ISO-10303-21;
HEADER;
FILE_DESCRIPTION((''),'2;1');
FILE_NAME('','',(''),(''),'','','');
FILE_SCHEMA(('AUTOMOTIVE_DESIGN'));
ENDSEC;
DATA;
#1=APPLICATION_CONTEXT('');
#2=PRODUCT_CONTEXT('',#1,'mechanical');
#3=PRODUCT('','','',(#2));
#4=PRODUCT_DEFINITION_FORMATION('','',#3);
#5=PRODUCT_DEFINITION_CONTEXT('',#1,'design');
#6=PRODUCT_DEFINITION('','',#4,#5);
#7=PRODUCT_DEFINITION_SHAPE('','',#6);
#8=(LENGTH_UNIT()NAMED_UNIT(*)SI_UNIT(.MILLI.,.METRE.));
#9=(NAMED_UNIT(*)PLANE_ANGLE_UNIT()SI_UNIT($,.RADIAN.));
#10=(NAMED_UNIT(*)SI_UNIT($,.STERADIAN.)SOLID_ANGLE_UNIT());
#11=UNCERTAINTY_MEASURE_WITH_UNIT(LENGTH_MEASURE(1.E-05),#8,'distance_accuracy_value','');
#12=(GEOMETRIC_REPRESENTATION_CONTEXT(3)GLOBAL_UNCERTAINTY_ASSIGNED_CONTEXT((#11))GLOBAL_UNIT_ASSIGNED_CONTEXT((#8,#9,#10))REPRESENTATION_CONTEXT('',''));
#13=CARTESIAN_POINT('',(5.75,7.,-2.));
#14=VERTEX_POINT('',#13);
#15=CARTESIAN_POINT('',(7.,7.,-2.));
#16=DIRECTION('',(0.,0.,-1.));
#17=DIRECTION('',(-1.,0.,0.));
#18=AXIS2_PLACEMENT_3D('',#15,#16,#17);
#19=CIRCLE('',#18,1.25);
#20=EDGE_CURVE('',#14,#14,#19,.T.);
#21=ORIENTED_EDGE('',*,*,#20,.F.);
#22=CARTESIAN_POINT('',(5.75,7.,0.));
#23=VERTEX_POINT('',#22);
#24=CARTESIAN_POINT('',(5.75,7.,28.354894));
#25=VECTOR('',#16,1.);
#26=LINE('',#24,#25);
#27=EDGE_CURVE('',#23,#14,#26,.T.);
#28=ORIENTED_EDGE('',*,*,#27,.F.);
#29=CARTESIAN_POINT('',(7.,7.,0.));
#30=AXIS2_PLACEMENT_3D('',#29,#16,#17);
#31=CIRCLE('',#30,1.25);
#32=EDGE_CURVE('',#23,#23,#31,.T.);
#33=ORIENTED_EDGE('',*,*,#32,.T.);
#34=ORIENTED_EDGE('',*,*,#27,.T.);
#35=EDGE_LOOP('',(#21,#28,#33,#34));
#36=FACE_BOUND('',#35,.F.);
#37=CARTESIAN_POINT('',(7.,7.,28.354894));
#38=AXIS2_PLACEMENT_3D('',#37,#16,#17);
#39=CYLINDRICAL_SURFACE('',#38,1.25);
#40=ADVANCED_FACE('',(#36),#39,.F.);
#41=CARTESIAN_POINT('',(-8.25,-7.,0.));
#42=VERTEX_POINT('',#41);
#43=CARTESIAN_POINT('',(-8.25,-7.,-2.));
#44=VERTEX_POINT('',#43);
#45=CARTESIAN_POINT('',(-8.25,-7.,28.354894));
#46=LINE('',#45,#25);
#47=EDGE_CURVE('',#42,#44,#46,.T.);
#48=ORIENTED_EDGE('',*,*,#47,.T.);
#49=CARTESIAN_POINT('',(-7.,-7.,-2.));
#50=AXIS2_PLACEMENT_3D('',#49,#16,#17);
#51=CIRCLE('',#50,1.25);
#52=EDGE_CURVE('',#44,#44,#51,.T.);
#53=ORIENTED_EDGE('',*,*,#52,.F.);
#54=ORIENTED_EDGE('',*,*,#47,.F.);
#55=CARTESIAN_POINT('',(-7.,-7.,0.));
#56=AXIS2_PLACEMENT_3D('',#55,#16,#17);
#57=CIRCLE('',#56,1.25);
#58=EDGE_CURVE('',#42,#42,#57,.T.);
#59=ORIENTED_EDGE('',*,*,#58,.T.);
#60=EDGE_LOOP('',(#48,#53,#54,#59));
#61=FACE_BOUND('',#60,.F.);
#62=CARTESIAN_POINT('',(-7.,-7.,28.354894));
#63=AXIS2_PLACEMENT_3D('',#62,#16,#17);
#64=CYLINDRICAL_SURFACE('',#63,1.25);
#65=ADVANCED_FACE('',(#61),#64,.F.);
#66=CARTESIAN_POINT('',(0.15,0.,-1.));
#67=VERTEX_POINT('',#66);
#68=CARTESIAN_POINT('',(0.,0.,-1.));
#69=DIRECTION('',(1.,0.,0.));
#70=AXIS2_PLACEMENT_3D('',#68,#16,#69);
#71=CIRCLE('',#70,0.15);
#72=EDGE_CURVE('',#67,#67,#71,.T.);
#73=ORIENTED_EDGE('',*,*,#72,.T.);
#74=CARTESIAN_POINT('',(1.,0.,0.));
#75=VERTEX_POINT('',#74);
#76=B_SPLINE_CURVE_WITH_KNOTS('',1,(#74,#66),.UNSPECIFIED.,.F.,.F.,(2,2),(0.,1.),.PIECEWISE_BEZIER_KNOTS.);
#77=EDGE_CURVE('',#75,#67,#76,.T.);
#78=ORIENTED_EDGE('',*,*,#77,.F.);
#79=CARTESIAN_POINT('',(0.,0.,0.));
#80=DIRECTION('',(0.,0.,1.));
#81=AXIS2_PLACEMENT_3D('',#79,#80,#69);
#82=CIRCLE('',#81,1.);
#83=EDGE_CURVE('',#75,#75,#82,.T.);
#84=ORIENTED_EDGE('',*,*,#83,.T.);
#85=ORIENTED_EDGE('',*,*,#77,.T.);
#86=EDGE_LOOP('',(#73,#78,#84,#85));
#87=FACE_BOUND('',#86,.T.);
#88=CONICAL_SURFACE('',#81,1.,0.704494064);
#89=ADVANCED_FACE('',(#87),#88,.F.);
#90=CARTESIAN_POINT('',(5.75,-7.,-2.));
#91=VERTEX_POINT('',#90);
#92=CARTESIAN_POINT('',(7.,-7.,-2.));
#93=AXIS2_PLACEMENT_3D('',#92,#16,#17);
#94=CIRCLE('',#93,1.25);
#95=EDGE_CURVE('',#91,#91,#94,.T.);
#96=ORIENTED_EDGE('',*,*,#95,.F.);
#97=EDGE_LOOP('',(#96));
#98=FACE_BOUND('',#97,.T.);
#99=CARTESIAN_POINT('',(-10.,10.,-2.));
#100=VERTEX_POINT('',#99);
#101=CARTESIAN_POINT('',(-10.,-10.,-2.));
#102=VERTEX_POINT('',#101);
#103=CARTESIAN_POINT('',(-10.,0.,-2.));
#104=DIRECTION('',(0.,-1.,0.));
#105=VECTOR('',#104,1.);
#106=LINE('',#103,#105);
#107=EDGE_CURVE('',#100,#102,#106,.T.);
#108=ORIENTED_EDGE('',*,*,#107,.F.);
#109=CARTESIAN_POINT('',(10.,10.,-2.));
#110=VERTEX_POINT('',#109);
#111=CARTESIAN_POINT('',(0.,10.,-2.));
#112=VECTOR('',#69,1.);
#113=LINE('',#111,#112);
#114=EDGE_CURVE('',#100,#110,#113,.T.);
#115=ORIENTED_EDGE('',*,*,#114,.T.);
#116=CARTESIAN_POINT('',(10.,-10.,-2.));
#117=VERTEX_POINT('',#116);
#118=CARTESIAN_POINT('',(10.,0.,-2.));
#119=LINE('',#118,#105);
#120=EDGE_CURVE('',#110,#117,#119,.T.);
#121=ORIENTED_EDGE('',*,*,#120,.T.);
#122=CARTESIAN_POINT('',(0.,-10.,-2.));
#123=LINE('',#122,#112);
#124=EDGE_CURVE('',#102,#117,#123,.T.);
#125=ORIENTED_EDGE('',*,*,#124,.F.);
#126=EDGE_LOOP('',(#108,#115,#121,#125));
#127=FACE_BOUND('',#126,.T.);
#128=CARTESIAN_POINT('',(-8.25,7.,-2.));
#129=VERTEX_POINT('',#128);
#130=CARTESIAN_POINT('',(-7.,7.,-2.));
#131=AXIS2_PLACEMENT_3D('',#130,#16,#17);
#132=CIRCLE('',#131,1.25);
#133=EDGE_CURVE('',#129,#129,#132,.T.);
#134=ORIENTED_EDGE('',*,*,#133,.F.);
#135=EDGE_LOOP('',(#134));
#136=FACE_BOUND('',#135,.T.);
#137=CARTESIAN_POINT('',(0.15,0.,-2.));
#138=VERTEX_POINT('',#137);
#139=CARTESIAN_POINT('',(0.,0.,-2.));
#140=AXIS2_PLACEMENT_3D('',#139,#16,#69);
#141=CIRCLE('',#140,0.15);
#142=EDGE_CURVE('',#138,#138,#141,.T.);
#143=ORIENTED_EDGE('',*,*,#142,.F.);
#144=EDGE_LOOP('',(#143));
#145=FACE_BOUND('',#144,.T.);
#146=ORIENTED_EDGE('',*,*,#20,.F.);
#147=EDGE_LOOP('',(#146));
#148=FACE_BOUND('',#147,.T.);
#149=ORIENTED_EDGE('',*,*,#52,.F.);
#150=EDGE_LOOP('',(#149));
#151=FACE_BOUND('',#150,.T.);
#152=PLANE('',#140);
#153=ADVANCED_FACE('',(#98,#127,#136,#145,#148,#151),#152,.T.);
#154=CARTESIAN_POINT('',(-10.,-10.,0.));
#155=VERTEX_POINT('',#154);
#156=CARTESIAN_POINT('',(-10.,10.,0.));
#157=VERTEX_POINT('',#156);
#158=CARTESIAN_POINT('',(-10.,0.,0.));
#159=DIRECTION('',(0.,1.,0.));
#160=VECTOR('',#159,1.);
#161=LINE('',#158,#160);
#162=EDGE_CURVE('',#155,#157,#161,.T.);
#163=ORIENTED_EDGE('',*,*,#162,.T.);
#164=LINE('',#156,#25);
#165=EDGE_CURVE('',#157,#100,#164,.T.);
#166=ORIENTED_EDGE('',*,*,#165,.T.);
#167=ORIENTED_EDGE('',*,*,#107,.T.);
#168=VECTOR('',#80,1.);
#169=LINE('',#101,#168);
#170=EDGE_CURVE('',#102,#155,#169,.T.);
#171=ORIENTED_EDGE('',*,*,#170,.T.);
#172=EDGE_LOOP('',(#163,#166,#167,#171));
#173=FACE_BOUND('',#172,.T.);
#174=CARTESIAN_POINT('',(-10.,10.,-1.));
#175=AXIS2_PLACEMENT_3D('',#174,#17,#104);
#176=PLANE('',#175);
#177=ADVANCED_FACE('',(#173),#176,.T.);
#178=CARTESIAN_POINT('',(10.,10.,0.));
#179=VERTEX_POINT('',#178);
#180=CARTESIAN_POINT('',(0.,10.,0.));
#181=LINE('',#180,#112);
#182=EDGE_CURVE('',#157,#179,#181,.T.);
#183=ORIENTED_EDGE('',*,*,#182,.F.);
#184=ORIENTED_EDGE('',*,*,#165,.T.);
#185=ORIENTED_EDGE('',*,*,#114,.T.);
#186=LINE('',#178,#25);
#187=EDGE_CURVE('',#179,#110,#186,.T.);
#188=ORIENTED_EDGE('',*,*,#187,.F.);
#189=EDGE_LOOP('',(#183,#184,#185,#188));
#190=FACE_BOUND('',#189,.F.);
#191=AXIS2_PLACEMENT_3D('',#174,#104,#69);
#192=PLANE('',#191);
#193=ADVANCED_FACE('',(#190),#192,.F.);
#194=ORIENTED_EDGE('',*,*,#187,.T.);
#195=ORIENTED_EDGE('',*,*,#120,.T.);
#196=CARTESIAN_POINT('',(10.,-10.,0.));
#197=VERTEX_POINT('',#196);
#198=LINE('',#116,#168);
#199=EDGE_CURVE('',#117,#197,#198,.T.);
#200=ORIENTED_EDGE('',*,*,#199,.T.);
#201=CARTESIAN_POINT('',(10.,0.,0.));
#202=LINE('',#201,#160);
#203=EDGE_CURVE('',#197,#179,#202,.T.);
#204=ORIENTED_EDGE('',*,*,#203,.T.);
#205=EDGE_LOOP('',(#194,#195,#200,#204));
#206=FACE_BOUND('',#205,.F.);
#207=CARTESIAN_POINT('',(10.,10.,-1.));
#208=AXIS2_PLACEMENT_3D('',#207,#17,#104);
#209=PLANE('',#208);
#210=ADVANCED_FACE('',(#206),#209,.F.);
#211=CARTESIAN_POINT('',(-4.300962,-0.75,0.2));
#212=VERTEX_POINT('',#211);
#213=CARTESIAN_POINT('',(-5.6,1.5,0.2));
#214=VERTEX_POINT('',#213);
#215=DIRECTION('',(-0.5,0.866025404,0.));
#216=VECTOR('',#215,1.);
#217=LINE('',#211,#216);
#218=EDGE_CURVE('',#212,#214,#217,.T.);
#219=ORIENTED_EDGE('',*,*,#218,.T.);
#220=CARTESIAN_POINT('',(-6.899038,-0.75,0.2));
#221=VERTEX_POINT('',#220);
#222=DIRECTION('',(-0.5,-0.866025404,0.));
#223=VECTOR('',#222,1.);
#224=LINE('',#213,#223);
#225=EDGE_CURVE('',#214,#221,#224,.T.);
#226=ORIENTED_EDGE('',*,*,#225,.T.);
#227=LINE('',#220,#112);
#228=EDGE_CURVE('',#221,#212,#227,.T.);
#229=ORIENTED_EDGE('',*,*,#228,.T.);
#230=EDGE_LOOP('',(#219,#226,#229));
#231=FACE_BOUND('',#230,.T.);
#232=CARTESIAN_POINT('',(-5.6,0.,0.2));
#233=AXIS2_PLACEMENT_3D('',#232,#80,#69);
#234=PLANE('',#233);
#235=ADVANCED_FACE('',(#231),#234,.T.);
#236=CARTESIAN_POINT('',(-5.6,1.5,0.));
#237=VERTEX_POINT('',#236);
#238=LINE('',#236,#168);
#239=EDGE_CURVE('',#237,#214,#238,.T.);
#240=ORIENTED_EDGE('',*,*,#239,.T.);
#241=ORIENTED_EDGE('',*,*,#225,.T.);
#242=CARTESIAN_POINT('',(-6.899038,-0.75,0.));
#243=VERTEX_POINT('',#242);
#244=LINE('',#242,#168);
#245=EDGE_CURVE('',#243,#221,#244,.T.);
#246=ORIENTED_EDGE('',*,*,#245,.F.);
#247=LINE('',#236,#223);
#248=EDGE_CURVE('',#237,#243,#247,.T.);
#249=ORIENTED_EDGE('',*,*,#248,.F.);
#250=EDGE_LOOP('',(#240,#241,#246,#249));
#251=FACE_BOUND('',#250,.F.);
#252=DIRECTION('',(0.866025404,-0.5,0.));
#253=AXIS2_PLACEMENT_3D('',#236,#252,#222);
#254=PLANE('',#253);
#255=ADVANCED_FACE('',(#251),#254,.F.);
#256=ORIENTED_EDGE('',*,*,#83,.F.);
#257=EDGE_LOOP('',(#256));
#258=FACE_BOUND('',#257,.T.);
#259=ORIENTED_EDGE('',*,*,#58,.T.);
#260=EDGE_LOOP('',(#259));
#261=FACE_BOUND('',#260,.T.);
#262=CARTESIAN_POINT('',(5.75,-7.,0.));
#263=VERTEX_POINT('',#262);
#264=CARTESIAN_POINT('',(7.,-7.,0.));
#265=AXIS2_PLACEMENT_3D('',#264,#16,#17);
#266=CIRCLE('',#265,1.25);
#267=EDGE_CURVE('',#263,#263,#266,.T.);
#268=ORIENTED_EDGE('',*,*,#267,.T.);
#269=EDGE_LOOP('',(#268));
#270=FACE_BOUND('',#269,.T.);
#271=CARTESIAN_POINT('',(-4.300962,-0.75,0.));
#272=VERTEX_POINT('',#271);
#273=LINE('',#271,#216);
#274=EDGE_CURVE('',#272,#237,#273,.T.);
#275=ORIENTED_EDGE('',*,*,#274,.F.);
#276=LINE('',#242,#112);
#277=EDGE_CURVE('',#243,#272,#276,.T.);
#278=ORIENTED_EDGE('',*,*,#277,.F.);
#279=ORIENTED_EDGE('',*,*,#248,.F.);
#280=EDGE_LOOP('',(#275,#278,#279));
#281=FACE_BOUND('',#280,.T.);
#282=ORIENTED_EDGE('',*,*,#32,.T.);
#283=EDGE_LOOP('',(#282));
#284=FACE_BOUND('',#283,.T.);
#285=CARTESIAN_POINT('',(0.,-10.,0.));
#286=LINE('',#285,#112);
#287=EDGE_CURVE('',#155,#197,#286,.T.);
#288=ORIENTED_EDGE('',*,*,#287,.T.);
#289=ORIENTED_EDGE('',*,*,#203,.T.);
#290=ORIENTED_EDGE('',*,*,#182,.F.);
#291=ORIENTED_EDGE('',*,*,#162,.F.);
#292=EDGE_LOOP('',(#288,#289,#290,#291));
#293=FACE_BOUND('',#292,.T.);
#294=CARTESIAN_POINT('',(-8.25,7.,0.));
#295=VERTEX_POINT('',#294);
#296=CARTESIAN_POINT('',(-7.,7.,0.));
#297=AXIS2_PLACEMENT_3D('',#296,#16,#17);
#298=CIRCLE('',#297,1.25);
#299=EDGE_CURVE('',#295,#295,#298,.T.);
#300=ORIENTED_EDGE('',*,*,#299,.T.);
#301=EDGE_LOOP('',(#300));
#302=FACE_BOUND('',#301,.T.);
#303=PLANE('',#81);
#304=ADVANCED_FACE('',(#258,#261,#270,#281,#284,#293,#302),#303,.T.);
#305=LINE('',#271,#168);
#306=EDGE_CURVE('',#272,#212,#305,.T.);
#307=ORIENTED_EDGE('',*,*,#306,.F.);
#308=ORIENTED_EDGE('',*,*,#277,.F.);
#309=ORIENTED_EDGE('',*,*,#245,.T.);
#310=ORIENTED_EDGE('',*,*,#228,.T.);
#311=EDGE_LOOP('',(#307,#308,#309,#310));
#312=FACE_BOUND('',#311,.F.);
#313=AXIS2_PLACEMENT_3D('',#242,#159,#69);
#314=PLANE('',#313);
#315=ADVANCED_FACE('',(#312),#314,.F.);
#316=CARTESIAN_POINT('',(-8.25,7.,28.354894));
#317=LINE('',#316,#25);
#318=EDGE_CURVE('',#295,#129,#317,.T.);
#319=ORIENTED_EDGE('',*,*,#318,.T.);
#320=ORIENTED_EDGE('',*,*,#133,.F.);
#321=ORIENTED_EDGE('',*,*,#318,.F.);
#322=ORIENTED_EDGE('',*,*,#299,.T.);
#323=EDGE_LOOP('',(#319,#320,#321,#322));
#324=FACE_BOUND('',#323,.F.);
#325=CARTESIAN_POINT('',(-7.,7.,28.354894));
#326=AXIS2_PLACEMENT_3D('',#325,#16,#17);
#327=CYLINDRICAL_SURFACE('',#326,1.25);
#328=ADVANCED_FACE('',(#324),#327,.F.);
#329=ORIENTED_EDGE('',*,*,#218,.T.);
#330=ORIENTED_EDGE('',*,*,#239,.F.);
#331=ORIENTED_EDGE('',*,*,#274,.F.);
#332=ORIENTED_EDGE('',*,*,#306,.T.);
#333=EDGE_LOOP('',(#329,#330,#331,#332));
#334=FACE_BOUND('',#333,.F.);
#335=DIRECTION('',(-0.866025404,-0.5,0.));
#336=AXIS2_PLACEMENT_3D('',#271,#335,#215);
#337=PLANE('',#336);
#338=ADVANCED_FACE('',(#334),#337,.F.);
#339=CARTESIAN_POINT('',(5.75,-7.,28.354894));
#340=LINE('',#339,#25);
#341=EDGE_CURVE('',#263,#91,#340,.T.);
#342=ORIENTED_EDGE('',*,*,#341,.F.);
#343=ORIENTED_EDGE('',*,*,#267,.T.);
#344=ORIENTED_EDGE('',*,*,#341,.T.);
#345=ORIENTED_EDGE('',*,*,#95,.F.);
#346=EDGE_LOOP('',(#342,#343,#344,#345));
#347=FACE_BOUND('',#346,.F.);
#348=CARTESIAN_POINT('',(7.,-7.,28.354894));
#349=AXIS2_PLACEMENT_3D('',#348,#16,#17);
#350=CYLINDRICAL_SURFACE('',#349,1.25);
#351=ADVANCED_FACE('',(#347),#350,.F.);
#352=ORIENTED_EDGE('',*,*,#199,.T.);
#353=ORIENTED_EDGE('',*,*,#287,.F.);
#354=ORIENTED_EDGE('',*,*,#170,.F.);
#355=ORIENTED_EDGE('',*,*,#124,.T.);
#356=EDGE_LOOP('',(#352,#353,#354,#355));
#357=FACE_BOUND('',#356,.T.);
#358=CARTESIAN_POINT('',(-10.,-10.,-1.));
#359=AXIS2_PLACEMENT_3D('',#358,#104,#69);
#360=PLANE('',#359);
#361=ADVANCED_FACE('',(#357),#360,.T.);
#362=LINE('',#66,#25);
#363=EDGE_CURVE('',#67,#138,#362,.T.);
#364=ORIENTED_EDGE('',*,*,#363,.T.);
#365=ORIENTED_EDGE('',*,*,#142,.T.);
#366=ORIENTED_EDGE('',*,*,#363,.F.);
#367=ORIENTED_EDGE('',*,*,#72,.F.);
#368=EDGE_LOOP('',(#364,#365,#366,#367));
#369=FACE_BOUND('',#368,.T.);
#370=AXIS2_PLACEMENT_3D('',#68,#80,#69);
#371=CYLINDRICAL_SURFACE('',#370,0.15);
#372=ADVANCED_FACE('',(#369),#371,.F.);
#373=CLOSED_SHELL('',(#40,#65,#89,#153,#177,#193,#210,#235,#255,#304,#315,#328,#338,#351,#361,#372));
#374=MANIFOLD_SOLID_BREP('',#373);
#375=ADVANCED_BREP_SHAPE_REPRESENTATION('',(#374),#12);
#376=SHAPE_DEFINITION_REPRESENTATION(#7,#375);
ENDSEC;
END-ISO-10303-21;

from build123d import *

# Parameters (mm, degrees)
F0_W      = 20
F0_H      = 20
F1_DEPTH  = 1
F2_R      = 1
F3_R      = 0.15
F6_W      = 20
F6_H      = 20
F6_R      = 0.15
F7_DEPTH  = 1
F8_D      = 2.5
F10_DEPTH = 0.2


with BuildPart() as f1:
    # F0 (on Top) → F1 (new body)
    with BuildSketch(Plane.XY):
        Rectangle(F0_W, F0_H)
    extrude(amount=-F1_DEPTH)

    # F2 (on face) → F4 section 0
    with BuildSketch(Plane.XY):
        Circle(F2_R)
    # F3 (on face) → F4 section 1
    with BuildSketch(Plane(origin=(0, 0, -1), x_dir=(1, 0, 0), z_dir=(0, 0, -1))):
        Circle(F3_R)
    loft(mode=Mode.SUBTRACT)

    # F6 (on face) → F7 (join)
    with BuildSketch(Plane(origin=(0, 0, -1), x_dir=(1, 0, 0), z_dir=(0, 0, -1))):
        Rectangle(F6_W, F6_H)
        Circle(F6_R, mode=Mode.SUBTRACT)
    extrude(amount=F7_DEPTH)

    # F8 (through all)
    with Locations(Plane.XY):
        with Locations((-7, -7), (7, -7), (7, 7), (-7, 7)):
            Hole(F8_D / 2)

    # F9 (on face) → F10 (join)
    with BuildSketch(Plane.XY):
        Polygon((-4.3009618943, -0.75), (-5.6, 1.5), (-6.8990381057, -0.75), align=None)
    extrude(amount=F10_DEPTH)


solid = f1.part
